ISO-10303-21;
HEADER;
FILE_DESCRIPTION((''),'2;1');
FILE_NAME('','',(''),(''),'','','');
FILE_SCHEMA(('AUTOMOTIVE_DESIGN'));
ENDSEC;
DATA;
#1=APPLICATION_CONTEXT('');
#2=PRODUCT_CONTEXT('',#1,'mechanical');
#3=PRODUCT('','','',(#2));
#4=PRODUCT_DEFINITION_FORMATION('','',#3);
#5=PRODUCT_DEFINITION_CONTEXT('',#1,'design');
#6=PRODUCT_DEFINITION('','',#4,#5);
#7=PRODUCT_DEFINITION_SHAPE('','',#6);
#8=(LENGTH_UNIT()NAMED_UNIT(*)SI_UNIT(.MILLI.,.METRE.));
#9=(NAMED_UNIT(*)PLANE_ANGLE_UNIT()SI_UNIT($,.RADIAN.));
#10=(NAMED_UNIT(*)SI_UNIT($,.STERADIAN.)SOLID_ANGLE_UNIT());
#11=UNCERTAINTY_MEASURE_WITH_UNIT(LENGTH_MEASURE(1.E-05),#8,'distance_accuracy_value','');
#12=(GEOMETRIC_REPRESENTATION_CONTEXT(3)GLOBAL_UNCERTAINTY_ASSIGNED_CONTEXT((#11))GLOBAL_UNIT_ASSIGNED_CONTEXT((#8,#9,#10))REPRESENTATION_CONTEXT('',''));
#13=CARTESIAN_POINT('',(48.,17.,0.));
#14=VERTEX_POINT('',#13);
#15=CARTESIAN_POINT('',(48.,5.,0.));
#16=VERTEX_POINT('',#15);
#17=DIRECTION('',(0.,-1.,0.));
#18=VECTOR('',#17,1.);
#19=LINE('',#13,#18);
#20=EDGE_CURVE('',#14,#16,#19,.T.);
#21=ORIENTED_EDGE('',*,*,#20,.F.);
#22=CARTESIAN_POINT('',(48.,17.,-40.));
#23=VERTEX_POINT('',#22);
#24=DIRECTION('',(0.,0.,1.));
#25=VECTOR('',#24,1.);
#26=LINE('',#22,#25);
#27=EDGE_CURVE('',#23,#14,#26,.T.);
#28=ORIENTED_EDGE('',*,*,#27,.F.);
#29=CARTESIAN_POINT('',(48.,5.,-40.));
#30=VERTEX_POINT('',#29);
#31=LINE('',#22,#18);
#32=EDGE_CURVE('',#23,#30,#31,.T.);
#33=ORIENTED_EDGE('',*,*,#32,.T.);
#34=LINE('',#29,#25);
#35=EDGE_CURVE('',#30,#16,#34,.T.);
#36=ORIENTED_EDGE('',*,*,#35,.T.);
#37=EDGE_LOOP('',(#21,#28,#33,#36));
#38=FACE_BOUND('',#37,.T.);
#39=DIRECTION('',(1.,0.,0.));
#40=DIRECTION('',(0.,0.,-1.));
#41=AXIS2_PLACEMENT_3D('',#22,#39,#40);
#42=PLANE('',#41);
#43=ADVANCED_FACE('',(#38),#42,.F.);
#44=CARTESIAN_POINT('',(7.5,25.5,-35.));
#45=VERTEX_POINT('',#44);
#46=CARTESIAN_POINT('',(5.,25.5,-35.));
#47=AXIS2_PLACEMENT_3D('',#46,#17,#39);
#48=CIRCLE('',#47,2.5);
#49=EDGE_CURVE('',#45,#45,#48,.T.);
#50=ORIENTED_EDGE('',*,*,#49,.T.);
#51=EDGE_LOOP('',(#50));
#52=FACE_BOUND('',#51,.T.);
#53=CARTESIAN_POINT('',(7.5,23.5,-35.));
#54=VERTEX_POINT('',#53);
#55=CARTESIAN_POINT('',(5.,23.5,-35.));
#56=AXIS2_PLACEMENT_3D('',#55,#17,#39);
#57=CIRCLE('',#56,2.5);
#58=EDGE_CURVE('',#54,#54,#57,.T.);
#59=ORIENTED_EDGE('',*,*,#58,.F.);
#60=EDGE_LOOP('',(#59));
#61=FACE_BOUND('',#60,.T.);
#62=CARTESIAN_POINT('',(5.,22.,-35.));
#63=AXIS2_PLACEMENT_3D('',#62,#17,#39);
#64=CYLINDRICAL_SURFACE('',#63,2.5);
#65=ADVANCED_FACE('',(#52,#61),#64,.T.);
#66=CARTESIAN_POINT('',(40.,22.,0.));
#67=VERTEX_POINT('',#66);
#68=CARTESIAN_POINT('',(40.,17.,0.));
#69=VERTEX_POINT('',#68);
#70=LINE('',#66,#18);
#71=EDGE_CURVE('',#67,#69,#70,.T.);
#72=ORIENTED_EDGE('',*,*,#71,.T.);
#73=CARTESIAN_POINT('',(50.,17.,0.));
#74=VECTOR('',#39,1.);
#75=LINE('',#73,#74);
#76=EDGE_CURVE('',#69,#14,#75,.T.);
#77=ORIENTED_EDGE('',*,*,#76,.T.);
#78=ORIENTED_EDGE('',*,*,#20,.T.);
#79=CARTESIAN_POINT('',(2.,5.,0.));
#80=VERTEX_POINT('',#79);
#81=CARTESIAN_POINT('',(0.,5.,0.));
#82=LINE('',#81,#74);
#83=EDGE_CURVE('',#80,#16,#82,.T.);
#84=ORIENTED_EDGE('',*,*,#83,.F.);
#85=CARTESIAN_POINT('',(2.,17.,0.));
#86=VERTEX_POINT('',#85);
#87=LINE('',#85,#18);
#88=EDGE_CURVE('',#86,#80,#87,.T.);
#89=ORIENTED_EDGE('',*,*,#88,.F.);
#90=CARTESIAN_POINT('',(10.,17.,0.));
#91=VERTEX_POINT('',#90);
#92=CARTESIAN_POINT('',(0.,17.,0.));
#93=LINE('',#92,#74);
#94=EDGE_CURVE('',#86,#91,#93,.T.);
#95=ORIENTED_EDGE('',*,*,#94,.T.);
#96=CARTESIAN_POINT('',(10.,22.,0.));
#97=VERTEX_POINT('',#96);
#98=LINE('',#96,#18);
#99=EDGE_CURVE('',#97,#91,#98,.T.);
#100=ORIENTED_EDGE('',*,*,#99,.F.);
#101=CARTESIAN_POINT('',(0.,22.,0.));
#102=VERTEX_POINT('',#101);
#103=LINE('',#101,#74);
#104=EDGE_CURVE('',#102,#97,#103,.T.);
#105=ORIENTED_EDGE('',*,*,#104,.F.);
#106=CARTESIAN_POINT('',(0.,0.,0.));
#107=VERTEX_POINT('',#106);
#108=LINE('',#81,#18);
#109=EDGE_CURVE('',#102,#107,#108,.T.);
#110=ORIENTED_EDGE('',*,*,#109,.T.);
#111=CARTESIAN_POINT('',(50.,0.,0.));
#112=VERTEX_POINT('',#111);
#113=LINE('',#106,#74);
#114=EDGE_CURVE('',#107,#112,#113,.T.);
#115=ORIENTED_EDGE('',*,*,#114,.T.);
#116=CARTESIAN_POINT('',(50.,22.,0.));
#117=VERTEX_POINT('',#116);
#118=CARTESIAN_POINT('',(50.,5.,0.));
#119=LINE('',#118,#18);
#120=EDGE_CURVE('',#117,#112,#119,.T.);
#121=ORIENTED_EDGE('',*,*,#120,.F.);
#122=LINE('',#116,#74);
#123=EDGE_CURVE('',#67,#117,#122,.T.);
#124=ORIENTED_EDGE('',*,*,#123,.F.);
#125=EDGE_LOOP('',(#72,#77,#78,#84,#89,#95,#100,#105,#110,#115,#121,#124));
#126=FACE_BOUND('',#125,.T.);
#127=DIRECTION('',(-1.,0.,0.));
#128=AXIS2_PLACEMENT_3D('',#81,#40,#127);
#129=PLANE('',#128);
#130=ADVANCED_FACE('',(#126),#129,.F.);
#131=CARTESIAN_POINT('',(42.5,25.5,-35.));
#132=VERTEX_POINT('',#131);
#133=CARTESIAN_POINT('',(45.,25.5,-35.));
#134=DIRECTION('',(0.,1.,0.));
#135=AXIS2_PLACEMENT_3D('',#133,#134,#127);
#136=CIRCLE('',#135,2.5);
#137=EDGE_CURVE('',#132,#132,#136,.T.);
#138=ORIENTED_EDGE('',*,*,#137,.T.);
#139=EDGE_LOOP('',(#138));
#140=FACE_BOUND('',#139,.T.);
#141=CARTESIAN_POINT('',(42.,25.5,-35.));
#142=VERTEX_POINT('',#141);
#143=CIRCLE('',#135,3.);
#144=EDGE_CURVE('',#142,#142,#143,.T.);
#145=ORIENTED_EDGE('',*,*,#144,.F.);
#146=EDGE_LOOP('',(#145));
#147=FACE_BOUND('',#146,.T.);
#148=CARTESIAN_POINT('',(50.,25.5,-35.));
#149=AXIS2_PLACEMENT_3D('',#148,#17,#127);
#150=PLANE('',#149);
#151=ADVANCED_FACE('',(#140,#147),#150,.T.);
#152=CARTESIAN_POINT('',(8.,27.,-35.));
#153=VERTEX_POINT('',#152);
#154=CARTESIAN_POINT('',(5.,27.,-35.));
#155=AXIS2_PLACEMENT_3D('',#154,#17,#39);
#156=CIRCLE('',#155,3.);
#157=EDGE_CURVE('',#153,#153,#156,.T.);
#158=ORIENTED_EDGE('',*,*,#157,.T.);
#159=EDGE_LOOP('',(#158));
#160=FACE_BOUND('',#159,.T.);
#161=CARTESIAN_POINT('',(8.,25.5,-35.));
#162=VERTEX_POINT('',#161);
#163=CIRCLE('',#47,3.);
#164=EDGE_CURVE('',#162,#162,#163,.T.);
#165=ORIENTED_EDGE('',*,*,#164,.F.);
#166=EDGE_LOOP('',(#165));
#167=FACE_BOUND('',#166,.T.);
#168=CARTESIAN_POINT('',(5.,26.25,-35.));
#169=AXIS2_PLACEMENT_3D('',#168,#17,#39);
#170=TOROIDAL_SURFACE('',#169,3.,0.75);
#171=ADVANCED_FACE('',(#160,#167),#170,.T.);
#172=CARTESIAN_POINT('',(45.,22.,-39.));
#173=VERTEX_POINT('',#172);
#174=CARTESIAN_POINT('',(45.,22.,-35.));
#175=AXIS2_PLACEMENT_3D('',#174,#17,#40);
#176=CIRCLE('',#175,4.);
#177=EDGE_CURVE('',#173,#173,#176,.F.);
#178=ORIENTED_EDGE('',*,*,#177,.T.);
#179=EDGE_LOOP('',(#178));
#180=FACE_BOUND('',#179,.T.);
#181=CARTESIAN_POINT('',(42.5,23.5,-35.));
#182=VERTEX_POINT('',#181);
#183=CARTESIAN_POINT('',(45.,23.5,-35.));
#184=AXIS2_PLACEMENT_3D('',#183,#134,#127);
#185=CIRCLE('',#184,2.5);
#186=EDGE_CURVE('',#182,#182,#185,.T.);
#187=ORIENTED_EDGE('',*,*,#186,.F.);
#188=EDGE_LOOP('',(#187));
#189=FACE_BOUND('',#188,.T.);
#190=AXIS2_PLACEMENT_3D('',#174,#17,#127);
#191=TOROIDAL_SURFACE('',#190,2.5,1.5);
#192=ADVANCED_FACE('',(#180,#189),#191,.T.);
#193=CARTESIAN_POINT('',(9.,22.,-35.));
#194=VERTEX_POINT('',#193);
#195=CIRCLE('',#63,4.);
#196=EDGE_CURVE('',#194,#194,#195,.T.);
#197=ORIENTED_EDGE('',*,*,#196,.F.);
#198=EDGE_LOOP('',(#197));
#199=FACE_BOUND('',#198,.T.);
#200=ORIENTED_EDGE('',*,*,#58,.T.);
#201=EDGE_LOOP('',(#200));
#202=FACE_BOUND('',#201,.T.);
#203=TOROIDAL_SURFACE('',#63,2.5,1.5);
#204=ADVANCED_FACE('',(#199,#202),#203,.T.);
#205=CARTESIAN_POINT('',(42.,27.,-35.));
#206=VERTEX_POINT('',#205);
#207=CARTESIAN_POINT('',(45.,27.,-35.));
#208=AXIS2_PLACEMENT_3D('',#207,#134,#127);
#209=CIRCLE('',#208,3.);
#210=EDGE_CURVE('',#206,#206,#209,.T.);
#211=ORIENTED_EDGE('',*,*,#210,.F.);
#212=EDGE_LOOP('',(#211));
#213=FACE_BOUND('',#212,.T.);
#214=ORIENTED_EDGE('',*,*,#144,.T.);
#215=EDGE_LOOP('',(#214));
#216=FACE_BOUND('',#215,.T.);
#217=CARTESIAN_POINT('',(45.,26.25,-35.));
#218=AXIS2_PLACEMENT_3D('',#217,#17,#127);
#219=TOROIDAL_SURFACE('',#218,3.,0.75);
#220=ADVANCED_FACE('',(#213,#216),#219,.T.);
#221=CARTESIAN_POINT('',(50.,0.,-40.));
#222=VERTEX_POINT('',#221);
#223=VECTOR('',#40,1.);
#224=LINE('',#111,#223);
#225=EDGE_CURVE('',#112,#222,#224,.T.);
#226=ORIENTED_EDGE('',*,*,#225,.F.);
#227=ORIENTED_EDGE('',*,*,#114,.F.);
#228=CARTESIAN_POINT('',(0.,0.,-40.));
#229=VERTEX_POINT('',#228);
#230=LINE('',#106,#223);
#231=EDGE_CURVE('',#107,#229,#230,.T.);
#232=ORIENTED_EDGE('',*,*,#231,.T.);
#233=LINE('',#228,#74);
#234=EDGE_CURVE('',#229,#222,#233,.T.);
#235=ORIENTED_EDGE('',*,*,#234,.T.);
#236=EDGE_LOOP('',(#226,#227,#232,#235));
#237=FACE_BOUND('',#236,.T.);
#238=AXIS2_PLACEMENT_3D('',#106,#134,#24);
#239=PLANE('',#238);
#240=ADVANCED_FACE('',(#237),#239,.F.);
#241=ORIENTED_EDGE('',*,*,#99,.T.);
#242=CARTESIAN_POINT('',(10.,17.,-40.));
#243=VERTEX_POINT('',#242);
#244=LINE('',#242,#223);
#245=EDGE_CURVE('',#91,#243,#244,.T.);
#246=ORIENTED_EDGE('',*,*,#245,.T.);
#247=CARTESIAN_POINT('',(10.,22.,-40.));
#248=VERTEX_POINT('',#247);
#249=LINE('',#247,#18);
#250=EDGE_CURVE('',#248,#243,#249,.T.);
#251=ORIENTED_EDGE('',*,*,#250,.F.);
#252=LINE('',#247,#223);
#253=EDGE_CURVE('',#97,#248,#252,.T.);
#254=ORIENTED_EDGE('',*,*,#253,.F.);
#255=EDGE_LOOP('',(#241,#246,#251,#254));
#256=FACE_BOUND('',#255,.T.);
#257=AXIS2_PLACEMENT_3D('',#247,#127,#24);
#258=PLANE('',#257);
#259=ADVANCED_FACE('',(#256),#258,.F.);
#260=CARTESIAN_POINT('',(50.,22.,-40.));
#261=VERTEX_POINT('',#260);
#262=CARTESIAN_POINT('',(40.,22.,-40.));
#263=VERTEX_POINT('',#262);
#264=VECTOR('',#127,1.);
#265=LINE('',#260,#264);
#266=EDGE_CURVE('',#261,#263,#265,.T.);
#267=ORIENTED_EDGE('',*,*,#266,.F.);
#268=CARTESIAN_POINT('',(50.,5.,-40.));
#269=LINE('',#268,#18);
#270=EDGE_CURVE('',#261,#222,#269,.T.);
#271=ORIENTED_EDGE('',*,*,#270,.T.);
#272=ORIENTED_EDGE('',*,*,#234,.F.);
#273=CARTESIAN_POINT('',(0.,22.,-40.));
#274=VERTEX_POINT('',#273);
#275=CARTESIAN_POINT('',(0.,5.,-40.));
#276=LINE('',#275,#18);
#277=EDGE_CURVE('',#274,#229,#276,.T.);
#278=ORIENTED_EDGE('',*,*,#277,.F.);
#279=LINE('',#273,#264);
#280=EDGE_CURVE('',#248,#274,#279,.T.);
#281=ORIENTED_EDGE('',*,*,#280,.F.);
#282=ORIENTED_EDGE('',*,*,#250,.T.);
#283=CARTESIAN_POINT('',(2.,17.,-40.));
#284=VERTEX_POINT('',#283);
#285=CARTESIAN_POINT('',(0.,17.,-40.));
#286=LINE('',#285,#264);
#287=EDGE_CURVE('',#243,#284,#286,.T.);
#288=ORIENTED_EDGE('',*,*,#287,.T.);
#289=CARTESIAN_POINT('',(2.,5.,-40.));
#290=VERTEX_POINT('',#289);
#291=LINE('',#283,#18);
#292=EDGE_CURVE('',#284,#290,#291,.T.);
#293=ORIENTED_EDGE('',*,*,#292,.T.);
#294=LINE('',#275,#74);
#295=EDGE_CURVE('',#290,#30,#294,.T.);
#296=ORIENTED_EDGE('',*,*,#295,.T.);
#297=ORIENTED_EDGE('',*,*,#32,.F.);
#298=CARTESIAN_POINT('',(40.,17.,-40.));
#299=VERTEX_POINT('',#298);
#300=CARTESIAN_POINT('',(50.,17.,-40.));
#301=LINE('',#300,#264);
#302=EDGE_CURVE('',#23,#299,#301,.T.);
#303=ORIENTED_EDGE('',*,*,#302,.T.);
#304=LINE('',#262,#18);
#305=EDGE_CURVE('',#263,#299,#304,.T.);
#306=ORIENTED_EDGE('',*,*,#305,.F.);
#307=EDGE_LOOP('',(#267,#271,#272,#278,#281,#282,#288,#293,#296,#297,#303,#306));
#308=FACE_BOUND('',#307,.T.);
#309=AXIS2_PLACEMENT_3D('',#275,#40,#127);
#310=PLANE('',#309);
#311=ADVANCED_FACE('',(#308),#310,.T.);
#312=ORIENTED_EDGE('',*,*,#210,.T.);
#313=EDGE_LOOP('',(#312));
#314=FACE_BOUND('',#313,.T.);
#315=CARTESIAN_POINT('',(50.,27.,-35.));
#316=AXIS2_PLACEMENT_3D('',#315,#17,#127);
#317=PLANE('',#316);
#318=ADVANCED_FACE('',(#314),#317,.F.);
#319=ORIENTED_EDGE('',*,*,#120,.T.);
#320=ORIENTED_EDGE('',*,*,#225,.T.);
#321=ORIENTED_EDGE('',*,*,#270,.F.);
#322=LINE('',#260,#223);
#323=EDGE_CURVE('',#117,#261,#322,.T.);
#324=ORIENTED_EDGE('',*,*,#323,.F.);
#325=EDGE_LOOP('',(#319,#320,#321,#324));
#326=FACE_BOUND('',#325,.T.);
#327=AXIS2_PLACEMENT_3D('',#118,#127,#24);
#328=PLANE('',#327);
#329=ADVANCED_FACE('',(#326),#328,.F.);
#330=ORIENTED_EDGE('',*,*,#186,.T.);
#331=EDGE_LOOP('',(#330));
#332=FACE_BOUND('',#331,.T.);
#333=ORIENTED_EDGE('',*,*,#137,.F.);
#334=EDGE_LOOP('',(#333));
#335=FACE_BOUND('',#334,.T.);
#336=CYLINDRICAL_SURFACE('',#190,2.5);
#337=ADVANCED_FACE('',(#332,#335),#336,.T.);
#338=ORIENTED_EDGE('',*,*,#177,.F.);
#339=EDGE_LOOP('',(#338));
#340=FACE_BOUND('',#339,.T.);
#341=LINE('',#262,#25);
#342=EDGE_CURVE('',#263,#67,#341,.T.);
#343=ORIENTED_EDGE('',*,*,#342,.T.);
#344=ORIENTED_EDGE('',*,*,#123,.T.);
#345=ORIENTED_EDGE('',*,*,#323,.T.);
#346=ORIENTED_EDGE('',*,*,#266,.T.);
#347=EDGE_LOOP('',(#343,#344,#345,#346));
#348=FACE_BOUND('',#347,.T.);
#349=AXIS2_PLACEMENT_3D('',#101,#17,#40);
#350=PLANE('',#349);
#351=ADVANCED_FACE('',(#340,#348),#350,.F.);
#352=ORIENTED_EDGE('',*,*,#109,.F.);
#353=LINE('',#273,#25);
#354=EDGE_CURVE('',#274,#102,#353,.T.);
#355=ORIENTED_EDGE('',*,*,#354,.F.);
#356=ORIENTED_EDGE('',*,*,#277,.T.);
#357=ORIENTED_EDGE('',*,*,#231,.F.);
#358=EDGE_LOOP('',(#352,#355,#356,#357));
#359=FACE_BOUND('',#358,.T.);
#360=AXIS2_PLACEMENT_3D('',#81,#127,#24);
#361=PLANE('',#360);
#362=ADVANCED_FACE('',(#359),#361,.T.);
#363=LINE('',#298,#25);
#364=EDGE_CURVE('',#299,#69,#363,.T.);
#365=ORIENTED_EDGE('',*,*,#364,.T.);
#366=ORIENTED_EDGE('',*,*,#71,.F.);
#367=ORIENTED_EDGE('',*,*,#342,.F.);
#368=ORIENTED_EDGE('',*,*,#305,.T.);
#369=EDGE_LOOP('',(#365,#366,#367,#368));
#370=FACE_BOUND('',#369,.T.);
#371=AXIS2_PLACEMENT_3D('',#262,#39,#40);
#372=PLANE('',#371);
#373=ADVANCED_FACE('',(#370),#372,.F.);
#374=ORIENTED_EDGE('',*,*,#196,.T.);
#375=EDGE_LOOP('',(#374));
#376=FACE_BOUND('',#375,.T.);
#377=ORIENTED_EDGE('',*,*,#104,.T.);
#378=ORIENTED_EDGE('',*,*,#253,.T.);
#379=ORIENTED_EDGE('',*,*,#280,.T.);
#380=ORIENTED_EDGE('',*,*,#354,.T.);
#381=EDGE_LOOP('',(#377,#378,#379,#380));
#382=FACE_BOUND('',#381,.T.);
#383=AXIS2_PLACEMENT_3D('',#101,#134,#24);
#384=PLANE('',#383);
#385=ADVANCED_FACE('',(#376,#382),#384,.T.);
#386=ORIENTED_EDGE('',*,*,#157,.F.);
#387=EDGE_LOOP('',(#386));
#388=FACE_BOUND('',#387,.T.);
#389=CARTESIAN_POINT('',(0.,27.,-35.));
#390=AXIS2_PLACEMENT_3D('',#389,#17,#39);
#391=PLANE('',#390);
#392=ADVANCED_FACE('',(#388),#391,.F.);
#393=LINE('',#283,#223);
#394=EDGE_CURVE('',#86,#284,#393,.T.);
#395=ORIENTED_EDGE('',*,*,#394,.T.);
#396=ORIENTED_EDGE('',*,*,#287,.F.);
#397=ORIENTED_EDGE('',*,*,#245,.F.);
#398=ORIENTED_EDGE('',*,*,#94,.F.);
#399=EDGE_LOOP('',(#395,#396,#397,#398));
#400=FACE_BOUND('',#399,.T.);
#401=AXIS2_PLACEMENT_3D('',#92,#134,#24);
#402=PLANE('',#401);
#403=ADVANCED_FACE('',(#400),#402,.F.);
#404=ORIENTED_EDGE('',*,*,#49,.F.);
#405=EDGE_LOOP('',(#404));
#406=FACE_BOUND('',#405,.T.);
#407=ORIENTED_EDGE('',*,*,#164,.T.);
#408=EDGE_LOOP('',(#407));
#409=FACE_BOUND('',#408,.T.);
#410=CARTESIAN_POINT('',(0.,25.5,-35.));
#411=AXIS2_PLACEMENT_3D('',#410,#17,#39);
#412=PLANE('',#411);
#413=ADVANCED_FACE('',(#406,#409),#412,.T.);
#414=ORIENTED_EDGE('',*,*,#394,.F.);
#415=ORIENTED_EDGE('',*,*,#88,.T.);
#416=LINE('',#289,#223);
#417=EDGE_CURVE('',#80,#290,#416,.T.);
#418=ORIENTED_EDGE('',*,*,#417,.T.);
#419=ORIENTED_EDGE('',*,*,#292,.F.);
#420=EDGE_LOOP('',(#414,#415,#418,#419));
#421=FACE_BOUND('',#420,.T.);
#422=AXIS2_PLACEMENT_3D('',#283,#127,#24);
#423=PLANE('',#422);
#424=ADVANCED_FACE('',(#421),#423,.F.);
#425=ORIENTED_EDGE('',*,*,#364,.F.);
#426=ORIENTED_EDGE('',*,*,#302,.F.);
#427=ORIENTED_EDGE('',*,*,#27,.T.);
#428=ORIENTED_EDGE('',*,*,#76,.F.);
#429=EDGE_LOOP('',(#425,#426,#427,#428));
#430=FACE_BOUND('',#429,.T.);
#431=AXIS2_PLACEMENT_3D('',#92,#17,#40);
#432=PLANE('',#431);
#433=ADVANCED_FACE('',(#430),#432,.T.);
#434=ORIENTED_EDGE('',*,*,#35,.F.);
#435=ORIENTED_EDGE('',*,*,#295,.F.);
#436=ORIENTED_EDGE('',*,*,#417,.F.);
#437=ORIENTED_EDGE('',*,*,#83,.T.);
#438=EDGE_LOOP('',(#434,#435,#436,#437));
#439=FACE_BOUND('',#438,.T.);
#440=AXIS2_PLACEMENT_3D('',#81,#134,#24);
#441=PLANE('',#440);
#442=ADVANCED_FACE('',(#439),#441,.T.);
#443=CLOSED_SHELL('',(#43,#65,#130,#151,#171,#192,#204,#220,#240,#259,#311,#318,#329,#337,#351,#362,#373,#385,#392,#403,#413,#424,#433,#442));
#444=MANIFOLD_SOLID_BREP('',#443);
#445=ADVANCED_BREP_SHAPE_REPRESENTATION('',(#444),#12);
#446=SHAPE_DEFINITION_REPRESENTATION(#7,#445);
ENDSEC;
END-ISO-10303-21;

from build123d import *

# Parameters (mm, degrees)
SKETCH1_W           = 50
SKETCH1_H           = 40
BOSS_EXTRUDE2_DEPTH = 5
SKETCH2_W           = 2
SKETCH2_H           = 40
BOSS_EXTRUDE4_DEPTH = 12
SKETCH3_W           = 10
SKETCH3_H           = 40
BOSS_EXTRUDE5_DEPTH = 5


with BuildPart() as part:
    # Sketch1 → Boss-Extrude2 (new body)
    with BuildSketch(Plane(origin=(0, 0, 0), x_dir=(1, 0, 0), z_dir=(0, 1, 0))):
        with Locations((25, 20)):
            Rectangle(SKETCH1_W, SKETCH1_H)
    extrude(amount=BOSS_EXTRUDE2_DEPTH)

    # Sketch2 → Boss-Extrude4 (add)
    with BuildSketch(Plane(origin=(0, 5, 0), x_dir=(1, 0, 0), z_dir=(0, 1, 0))):
        with Locations((1, 20)):
            Rectangle(SKETCH2_W, SKETCH2_H)
        with Locations((49, 20)):
            Rectangle(SKETCH2_W, SKETCH2_H)
    extrude(amount=BOSS_EXTRUDE4_DEPTH)

    # Sketch3 → Boss-Extrude5 (add)
    with BuildSketch(Plane(origin=(0, 17, 0), x_dir=(1, 0, 0), z_dir=(0, 1, 0))):
        with Locations((5, 20)):
            Rectangle(SKETCH3_W, SKETCH3_H)
        with Locations((45, 20)):
            Rectangle(SKETCH3_W, SKETCH3_H)
    extrude(amount=BOSS_EXTRUDE5_DEPTH)

    # Sketch6 → Revolve8 (revolve)
    with BuildSketch(Plane.XY.offset(-35)):
        with BuildLine():
            Line((2.309155678, 22), (5, 22))
            Line((5, 22), (5, 23.5))
            Line((5, 23.5), (5, 25.5))
            Line((5, 25.5), (5, 27))
            Line((5, 27), (2, 27))
            ThreePointArc((2, 27), (1.25, 26.25), (2, 25.5))
            Line((2, 25.5), (2.5, 25.5))
            Line((2.5, 25.5), (2.5, 23.5))
            ThreePointArc((2.5, 23.5), (1.439339828, 23.060660172), (1, 22))
            Line((1, 22), (2.309155678, 22))
        make_face()
    revolve8 = revolve(axis=Axis((5, 22, -35), (0, 1, 0)))

    # Mirror1: Revolve8 across plane
    add(revolve8.mirror(Plane(origin=(25, 0, 0), x_dir=(0, 0, 1), z_dir=(1, 0, 0))))


solid = part.part
